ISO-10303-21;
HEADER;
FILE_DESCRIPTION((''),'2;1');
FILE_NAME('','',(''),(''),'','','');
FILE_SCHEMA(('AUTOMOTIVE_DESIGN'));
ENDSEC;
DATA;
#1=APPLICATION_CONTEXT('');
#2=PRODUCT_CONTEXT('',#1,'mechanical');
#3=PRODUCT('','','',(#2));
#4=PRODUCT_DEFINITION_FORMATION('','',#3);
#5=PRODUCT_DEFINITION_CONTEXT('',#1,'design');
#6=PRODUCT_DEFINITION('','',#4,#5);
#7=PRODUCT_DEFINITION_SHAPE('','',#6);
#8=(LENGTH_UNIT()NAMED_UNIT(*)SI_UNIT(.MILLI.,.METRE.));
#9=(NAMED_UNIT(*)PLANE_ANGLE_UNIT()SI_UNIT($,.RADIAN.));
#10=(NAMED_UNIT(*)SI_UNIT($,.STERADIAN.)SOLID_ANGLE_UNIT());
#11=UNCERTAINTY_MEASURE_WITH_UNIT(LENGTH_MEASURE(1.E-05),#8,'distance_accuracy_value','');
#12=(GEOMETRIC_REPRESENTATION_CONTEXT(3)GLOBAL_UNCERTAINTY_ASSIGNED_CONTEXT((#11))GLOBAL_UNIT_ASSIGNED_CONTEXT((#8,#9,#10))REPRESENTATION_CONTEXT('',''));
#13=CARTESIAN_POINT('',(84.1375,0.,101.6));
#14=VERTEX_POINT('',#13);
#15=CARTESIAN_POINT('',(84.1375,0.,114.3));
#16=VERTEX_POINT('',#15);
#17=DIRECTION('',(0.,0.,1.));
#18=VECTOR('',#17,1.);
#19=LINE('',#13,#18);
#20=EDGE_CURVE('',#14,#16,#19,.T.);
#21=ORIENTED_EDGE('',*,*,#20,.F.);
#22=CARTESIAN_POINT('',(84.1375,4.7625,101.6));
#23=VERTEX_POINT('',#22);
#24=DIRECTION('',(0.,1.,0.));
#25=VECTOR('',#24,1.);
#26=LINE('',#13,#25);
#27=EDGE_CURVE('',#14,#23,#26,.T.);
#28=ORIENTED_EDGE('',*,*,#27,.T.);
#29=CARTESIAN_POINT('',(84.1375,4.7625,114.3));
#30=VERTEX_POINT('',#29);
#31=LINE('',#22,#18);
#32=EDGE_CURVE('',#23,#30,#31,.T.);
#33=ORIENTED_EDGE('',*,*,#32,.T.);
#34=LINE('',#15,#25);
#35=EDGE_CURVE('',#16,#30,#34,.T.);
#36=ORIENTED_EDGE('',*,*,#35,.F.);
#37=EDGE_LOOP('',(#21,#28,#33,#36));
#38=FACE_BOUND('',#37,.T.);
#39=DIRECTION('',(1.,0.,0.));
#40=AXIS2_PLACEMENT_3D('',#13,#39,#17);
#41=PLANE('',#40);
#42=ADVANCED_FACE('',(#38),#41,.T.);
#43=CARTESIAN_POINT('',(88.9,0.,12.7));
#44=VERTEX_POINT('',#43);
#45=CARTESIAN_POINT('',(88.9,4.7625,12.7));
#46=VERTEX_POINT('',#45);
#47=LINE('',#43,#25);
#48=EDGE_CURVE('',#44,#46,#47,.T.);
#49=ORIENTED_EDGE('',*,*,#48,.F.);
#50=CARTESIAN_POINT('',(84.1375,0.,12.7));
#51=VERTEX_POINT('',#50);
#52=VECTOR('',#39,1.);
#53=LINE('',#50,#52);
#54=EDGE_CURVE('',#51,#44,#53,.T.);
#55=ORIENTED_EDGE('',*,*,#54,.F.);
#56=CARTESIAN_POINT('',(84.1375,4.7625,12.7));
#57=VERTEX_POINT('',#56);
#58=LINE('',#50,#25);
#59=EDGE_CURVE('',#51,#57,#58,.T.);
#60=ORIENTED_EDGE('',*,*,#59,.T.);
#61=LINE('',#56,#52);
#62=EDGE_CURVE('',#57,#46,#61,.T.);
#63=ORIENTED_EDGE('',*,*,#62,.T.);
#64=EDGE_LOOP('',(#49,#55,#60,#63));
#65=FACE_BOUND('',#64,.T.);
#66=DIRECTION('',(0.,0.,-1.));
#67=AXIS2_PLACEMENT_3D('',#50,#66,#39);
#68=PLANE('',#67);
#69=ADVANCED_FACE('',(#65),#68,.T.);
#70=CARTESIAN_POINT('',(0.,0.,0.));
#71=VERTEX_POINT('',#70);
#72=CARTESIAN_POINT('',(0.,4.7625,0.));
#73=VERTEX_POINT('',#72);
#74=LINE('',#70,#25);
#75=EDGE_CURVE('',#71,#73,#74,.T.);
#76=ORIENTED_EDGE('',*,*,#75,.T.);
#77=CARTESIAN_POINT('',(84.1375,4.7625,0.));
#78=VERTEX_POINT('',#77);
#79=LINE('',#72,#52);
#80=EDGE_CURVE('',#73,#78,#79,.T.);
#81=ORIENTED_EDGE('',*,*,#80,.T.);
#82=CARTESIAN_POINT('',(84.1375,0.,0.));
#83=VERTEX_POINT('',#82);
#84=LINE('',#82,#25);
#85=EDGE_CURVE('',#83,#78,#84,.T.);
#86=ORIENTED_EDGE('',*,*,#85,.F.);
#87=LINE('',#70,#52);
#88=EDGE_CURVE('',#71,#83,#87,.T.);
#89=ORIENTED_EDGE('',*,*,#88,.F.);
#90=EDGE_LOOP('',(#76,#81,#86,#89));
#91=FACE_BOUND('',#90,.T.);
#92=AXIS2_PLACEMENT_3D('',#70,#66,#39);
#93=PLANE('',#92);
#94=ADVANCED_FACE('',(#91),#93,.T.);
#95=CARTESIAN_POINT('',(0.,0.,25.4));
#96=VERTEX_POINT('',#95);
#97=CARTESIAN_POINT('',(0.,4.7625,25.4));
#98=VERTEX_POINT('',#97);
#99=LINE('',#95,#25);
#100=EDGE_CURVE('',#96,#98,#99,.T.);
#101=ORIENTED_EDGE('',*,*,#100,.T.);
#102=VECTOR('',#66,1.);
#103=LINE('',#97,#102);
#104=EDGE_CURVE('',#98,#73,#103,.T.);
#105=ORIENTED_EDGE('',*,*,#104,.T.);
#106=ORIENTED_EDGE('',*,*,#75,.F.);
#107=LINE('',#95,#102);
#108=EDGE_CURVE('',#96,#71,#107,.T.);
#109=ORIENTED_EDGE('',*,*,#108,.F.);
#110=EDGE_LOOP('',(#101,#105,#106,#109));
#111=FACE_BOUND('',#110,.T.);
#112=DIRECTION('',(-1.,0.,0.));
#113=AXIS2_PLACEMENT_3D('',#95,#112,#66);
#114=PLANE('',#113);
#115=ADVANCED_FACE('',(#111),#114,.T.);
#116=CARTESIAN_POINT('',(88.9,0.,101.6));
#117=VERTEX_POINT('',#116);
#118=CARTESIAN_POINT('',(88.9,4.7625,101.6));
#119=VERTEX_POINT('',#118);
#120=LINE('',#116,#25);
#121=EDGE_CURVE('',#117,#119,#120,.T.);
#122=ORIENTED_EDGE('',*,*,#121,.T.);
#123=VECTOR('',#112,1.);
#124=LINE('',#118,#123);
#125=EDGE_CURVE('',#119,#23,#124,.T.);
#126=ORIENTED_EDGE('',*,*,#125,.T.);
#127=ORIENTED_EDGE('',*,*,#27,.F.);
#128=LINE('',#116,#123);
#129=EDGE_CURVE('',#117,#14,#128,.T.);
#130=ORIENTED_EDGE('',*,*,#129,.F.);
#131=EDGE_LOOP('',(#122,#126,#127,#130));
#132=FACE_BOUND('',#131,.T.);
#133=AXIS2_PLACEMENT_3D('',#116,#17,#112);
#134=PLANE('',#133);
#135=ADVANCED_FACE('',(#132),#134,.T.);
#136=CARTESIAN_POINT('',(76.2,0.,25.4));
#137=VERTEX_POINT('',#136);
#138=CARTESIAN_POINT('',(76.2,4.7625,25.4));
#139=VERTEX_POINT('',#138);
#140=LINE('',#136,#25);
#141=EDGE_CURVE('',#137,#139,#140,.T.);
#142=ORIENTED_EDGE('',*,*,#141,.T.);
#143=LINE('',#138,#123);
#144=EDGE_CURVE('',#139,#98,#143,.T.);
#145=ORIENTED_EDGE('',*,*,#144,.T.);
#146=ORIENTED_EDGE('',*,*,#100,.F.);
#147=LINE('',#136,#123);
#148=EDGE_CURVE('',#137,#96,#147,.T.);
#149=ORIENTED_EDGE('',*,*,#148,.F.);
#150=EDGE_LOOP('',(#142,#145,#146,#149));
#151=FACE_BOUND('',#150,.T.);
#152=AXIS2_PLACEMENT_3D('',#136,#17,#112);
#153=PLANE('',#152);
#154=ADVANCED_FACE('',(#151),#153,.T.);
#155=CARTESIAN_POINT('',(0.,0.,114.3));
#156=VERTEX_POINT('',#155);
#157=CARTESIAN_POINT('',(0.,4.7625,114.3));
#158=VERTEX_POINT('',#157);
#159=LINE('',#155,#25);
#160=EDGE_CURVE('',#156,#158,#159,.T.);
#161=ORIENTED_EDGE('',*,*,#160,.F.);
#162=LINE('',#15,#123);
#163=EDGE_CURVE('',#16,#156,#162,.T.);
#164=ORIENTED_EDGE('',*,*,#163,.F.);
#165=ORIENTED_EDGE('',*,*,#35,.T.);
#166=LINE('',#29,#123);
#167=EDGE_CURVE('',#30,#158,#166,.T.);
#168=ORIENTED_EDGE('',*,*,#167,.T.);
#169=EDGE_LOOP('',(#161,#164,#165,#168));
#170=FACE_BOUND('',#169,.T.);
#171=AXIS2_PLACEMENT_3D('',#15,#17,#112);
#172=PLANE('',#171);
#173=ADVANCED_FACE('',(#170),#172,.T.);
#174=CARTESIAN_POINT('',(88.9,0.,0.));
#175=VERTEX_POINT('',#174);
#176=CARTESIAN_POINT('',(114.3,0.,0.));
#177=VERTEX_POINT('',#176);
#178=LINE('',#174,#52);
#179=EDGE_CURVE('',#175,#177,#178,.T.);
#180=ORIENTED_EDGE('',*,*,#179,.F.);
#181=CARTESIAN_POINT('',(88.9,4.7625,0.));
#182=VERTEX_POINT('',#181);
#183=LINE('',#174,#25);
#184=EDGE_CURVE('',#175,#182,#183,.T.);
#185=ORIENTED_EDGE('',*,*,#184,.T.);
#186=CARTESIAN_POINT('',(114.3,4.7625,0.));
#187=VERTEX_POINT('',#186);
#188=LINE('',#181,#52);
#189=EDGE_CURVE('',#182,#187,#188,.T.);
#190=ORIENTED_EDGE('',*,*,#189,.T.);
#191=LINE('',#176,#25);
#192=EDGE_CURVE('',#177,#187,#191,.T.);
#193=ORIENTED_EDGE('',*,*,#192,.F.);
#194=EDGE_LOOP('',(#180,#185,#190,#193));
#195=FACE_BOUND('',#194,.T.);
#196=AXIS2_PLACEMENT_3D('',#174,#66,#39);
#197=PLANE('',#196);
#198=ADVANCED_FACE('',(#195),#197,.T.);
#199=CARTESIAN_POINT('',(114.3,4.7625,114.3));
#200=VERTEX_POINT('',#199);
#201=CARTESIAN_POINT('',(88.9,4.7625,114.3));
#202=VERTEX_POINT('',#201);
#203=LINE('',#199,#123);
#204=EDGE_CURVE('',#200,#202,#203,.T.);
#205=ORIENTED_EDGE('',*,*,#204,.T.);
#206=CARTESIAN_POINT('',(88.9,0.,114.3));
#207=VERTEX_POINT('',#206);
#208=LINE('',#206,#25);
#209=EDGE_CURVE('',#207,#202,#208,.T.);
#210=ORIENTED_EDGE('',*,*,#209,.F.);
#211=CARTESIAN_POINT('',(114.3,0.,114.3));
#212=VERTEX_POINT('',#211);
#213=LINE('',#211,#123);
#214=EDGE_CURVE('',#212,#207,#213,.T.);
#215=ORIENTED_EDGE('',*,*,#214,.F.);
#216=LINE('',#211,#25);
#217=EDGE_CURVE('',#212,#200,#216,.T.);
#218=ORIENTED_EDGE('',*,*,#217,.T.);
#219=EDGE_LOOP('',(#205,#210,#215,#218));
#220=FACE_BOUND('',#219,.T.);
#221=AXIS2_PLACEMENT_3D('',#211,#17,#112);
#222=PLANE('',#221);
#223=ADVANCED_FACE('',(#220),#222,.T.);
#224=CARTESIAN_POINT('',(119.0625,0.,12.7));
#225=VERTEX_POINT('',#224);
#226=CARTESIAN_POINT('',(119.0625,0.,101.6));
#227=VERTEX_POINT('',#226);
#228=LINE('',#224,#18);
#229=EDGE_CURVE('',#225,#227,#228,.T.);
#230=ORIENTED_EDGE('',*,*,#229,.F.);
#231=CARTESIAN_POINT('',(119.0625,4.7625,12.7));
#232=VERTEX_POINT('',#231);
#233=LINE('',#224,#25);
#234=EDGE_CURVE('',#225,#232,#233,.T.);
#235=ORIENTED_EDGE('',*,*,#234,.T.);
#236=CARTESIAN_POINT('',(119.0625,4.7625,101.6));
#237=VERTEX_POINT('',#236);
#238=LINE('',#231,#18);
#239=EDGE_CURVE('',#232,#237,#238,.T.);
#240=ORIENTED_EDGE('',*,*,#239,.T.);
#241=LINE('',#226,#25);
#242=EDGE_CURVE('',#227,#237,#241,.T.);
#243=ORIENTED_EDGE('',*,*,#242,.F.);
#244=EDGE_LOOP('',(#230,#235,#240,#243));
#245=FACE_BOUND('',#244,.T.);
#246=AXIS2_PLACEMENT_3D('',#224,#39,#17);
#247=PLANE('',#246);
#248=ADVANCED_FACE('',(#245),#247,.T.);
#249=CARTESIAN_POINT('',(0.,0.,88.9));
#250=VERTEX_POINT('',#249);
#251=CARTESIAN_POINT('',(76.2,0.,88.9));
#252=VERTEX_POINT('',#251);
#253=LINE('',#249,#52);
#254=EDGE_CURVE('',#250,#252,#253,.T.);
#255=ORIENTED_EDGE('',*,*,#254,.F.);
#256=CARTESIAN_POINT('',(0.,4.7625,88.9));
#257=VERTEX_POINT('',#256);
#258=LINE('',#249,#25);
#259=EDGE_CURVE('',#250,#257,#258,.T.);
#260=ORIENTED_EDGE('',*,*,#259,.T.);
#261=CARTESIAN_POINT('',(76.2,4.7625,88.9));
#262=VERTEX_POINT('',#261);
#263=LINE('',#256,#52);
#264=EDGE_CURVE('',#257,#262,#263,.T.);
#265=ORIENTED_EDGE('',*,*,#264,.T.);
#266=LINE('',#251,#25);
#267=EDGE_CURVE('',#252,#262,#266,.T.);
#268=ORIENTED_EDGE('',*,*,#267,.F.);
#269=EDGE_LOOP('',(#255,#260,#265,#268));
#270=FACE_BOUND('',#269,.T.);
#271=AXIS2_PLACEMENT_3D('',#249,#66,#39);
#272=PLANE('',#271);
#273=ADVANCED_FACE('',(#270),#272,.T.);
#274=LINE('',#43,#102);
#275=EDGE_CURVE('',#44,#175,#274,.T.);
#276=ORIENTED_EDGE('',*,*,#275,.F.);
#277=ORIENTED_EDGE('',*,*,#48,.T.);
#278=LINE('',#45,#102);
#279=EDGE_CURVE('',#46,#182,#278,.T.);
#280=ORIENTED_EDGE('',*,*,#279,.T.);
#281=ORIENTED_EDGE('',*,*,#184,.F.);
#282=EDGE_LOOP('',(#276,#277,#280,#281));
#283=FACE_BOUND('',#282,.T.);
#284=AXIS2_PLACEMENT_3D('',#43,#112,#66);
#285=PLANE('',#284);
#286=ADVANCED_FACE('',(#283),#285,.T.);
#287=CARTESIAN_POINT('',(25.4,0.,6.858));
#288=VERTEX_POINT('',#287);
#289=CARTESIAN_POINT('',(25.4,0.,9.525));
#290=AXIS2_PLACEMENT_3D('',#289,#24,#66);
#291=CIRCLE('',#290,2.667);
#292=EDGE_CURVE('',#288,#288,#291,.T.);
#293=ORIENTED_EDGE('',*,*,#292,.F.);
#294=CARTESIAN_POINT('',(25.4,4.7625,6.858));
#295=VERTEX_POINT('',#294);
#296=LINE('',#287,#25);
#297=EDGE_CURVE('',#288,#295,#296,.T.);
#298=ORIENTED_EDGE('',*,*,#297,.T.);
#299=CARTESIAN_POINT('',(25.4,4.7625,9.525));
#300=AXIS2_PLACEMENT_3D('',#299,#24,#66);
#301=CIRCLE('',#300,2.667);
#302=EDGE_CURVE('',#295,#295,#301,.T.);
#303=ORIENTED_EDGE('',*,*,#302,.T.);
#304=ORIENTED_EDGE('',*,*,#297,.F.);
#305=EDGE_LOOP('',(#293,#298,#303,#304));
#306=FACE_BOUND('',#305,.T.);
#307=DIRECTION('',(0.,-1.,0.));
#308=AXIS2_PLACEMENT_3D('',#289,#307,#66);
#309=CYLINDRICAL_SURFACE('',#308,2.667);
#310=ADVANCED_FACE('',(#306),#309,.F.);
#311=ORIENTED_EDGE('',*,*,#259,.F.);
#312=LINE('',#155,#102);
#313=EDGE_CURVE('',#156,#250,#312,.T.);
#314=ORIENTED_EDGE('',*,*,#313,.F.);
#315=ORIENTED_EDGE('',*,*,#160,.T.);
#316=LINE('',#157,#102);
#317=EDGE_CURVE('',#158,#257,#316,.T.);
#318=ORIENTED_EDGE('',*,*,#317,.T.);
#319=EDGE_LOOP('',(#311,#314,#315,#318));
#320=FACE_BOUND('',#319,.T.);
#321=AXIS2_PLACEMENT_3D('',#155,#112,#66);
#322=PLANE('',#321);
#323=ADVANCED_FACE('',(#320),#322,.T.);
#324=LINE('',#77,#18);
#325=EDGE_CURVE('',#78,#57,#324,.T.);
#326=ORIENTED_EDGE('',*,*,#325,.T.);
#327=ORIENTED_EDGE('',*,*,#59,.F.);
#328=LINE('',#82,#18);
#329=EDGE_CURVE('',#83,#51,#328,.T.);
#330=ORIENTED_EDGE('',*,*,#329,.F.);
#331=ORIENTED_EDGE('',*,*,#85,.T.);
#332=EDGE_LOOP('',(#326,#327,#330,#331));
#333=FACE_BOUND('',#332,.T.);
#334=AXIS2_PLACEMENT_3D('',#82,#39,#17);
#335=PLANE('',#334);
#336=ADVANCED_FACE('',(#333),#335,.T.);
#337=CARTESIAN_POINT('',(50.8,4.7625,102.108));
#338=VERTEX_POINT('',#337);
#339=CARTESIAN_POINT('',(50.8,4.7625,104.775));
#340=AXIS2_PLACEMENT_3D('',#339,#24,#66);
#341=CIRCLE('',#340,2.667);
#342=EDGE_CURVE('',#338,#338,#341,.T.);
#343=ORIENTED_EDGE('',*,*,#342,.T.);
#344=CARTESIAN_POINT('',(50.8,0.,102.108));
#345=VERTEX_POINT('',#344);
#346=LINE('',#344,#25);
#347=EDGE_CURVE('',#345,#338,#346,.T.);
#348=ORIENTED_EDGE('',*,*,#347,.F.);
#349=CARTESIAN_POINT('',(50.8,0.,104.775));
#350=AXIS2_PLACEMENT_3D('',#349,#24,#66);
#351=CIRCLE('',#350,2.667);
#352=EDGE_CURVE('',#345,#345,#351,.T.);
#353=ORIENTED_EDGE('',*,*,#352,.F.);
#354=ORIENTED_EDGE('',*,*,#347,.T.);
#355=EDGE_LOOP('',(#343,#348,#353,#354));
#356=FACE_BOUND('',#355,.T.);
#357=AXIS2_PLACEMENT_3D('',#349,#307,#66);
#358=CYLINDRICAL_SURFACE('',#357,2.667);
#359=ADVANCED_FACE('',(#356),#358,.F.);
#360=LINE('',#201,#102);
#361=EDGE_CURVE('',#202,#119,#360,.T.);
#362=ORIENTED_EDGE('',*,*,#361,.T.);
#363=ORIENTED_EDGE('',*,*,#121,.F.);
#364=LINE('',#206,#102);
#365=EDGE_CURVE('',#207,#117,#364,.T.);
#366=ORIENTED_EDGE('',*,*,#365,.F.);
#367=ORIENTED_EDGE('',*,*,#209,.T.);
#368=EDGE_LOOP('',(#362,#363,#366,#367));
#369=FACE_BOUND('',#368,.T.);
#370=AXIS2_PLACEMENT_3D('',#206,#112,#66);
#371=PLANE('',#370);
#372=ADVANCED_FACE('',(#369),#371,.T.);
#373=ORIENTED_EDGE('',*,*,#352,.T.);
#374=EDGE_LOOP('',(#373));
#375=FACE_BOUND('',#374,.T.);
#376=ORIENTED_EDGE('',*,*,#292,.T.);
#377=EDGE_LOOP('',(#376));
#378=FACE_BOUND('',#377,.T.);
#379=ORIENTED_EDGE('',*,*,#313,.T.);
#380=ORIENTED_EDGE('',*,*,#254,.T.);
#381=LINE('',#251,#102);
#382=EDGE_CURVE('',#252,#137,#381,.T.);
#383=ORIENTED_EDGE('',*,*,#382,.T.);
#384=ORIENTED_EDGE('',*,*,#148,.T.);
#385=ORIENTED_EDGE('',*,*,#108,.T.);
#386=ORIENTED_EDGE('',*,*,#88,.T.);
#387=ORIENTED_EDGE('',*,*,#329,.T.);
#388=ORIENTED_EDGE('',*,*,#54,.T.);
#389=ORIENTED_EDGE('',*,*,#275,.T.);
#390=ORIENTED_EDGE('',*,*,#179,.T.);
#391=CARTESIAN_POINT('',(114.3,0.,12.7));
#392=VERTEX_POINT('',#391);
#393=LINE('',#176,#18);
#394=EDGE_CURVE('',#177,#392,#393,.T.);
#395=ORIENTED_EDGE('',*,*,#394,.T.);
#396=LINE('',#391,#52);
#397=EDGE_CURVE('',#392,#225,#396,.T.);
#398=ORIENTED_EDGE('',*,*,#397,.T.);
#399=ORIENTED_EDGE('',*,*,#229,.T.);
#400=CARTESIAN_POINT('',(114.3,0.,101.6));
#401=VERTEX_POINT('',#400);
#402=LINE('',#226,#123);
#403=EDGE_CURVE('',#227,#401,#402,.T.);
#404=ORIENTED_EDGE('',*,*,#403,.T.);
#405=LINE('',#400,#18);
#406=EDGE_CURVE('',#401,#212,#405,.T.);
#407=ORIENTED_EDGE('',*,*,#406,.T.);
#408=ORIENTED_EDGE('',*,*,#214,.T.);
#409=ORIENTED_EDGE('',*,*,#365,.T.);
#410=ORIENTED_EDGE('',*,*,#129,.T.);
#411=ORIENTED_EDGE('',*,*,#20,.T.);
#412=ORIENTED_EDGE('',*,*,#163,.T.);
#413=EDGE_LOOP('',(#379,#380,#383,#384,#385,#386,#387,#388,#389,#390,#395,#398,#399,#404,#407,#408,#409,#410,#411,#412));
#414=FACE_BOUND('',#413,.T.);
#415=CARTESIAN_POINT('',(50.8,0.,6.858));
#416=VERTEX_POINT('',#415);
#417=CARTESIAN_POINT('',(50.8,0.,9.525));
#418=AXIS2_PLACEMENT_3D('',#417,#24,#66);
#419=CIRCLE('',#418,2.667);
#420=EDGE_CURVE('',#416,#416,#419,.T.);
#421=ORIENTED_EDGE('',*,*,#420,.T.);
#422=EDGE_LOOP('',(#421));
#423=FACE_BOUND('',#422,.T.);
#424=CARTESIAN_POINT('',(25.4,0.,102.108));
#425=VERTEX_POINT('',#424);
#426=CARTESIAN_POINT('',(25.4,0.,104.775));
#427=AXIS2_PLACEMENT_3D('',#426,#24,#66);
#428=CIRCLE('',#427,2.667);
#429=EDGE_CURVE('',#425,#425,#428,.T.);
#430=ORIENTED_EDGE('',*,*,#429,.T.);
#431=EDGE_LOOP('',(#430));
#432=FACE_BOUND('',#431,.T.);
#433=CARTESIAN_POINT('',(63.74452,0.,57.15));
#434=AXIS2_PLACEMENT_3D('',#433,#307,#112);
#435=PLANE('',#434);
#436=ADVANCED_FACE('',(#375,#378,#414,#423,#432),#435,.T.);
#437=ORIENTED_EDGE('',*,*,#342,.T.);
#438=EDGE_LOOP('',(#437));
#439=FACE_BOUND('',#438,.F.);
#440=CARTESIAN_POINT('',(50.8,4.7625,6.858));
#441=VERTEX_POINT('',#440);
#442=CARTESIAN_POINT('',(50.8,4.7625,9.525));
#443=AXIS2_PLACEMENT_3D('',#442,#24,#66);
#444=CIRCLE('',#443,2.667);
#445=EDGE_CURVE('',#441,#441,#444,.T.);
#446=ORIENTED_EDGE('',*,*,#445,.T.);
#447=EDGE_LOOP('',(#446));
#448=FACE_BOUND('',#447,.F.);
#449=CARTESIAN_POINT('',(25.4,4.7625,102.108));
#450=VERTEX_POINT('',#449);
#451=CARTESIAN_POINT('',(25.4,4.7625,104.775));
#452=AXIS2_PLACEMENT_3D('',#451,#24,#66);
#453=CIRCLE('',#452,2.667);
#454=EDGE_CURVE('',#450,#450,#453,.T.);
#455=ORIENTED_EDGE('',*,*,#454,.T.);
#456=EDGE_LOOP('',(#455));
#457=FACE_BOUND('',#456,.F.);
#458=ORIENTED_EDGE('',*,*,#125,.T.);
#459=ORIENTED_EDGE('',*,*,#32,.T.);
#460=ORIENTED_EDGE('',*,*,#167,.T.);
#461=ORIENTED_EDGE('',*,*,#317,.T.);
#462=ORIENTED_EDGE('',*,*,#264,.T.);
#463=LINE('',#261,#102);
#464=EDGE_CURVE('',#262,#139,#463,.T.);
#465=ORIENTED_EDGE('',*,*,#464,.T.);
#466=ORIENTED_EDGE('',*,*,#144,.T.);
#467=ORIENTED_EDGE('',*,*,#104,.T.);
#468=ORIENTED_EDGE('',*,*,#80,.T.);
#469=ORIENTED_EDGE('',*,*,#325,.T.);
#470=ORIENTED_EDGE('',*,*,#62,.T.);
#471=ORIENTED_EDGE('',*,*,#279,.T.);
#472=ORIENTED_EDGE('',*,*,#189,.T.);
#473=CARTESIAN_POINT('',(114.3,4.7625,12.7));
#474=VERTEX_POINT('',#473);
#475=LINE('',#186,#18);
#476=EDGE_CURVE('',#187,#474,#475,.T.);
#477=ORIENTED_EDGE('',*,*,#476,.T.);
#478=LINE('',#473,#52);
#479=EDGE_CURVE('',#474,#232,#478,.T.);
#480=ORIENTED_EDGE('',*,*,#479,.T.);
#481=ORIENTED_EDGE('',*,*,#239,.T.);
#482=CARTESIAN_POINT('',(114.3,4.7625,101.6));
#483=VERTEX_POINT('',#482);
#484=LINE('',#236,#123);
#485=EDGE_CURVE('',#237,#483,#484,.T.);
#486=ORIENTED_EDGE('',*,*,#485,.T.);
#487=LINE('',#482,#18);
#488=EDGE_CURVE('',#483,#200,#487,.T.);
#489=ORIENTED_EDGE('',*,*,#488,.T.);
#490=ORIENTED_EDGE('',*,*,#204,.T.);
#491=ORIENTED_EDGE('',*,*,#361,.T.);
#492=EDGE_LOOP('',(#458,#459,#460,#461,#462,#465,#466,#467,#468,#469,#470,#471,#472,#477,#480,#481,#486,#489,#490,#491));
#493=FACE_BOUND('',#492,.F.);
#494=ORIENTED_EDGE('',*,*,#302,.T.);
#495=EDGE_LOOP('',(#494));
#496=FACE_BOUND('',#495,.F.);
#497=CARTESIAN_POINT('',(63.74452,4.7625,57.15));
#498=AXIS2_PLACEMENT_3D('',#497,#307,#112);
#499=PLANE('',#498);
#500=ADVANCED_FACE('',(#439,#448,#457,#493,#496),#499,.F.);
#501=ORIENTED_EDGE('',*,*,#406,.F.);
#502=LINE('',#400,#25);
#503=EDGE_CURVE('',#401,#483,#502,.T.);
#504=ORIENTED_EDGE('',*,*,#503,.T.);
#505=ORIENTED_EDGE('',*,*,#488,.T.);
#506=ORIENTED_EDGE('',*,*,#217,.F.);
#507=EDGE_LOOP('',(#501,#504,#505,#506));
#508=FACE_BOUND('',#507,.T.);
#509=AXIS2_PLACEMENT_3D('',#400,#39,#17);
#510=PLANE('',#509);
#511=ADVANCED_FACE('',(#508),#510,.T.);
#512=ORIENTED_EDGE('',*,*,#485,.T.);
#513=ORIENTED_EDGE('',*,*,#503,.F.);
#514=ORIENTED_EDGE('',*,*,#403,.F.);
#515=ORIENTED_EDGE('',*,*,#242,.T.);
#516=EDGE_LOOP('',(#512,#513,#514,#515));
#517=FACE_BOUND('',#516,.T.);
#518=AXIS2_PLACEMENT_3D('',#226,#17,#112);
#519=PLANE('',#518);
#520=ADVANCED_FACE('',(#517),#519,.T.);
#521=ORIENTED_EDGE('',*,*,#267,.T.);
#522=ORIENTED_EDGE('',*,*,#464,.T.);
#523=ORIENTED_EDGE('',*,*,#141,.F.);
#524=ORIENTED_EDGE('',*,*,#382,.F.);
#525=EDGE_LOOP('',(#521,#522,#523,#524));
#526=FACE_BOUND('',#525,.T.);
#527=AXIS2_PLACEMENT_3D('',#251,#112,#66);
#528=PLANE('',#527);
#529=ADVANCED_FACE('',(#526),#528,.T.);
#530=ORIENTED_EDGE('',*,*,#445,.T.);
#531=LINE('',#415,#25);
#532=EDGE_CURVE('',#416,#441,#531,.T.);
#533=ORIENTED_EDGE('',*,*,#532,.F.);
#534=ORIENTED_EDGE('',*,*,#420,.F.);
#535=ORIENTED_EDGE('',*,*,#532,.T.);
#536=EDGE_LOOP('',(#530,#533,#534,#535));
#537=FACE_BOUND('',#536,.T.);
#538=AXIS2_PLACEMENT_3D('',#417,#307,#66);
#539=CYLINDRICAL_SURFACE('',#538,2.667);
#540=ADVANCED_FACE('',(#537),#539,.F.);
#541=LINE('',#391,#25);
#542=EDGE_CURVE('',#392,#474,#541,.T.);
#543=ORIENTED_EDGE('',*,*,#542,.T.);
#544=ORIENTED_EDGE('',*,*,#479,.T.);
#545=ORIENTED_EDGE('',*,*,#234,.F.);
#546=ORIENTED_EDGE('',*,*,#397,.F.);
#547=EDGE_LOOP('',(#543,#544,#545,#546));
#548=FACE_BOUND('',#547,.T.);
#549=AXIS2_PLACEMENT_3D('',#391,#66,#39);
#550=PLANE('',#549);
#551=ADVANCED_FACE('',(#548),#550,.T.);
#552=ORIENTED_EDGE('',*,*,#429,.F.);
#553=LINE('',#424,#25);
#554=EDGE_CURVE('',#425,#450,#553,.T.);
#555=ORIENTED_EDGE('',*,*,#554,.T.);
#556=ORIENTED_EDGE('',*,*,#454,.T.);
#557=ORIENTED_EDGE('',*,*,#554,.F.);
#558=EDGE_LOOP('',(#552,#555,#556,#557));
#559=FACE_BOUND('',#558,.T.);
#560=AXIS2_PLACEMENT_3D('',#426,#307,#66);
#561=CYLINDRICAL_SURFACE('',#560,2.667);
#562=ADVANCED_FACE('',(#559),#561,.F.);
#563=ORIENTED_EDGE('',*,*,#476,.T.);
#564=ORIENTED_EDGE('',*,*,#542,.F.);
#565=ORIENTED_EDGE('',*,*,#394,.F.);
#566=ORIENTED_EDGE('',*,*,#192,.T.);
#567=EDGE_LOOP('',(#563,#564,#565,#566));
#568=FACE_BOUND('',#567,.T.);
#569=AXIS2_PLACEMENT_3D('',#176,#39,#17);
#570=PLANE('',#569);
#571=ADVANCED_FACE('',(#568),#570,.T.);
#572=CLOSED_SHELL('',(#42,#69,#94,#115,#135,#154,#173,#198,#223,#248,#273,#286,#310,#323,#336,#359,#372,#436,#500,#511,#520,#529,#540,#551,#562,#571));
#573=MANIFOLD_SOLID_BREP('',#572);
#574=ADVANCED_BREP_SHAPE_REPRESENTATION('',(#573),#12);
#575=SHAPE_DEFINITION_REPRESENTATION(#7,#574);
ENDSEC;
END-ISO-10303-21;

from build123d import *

# Parameters (mm, degrees)
SKETCH2_R           = 2.667
BOSS_EXTRUDE1_DEPTH = 4.7625


with BuildPart() as part:
    # Sketch2 → Boss-Extrude1 (new body)
    with BuildSketch(Plane(origin=(0, 0, 0), x_dir=(1, 0, 0), z_dir=(0, 1, 0))):
        Polygon((0, 0), (84.1375, 0), (84.1375, -12.7), (88.9, -12.7), (88.9, 0), (114.3, 0), (114.3, -12.7), (119.0625, -12.7), (119.0625, -101.6), (114.3, -101.6), (114.3, -114.3), (88.9, -114.3), (88.9, -101.6), (84.1375, -101.6), (84.1375, -114.3), (0, -114.3), (0, -88.9), (76.2, -88.9), (76.2, -25.4), (0, -25.4), align=None)
        with Locations(Location((50.8, -9.525, 0), (0, 0, 90))):
            Circle(SKETCH2_R, mode=Mode.SUBTRACT)
        with Locations(Location((25.4, -9.525, 0), (0, 0, 90))):
            Circle(SKETCH2_R, mode=Mode.SUBTRACT)
        with Locations(Location((50.8, -104.775, 0), (0, 0, 90))):
            Circle(SKETCH2_R, mode=Mode.SUBTRACT)
        with Locations(Location((25.4, -104.775, 0), (0, 0, 90))):
            Circle(SKETCH2_R, mode=Mode.SUBTRACT)
    extrude(amount=BOSS_EXTRUDE1_DEPTH)


solid = part.part
